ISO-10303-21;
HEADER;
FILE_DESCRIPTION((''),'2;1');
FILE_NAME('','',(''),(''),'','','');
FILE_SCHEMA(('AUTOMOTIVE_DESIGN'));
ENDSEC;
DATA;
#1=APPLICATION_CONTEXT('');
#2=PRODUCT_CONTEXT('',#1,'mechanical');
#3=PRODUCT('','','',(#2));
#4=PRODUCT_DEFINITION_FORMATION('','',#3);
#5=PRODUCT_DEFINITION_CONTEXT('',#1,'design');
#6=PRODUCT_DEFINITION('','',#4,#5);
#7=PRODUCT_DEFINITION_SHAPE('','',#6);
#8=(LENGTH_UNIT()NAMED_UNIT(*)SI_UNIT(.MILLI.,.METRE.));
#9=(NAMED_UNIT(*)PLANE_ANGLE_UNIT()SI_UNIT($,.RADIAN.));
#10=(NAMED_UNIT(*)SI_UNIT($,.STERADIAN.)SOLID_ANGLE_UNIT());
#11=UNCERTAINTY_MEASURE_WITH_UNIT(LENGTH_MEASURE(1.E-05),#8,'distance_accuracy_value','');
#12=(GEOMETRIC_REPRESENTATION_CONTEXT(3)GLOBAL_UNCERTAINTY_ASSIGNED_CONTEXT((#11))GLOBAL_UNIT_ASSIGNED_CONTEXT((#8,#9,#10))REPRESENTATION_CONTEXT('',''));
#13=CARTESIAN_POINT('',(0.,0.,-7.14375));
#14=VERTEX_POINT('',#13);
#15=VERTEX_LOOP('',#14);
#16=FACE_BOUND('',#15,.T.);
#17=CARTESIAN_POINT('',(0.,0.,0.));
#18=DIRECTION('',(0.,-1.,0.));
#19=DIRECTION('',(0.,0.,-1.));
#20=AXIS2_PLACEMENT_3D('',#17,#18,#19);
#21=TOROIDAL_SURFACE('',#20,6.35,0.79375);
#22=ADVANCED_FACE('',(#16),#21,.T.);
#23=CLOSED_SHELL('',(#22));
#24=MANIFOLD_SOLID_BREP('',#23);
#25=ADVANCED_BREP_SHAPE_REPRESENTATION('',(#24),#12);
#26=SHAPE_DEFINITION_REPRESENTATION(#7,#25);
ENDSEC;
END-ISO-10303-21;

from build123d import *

# Parameters (mm, degrees)
SKETCH1_R = 0.79375


with BuildPart() as part:
    # Sketch1 → Revolve1 (revolve)
    with BuildSketch(Plane.XY, mode=Mode.PRIVATE) as revolve1_sk:
        with Locations((-6.35, 0)):
            Circle(SKETCH1_R)
    revolve(revolve1_sk.sketch.rotate(Axis((0, 0, 0), (0, 1, 0)), 270), axis=Axis((0, 0, 0), (0, 1, 0)))  # turned: the seam where the file's is


solid = part.part
